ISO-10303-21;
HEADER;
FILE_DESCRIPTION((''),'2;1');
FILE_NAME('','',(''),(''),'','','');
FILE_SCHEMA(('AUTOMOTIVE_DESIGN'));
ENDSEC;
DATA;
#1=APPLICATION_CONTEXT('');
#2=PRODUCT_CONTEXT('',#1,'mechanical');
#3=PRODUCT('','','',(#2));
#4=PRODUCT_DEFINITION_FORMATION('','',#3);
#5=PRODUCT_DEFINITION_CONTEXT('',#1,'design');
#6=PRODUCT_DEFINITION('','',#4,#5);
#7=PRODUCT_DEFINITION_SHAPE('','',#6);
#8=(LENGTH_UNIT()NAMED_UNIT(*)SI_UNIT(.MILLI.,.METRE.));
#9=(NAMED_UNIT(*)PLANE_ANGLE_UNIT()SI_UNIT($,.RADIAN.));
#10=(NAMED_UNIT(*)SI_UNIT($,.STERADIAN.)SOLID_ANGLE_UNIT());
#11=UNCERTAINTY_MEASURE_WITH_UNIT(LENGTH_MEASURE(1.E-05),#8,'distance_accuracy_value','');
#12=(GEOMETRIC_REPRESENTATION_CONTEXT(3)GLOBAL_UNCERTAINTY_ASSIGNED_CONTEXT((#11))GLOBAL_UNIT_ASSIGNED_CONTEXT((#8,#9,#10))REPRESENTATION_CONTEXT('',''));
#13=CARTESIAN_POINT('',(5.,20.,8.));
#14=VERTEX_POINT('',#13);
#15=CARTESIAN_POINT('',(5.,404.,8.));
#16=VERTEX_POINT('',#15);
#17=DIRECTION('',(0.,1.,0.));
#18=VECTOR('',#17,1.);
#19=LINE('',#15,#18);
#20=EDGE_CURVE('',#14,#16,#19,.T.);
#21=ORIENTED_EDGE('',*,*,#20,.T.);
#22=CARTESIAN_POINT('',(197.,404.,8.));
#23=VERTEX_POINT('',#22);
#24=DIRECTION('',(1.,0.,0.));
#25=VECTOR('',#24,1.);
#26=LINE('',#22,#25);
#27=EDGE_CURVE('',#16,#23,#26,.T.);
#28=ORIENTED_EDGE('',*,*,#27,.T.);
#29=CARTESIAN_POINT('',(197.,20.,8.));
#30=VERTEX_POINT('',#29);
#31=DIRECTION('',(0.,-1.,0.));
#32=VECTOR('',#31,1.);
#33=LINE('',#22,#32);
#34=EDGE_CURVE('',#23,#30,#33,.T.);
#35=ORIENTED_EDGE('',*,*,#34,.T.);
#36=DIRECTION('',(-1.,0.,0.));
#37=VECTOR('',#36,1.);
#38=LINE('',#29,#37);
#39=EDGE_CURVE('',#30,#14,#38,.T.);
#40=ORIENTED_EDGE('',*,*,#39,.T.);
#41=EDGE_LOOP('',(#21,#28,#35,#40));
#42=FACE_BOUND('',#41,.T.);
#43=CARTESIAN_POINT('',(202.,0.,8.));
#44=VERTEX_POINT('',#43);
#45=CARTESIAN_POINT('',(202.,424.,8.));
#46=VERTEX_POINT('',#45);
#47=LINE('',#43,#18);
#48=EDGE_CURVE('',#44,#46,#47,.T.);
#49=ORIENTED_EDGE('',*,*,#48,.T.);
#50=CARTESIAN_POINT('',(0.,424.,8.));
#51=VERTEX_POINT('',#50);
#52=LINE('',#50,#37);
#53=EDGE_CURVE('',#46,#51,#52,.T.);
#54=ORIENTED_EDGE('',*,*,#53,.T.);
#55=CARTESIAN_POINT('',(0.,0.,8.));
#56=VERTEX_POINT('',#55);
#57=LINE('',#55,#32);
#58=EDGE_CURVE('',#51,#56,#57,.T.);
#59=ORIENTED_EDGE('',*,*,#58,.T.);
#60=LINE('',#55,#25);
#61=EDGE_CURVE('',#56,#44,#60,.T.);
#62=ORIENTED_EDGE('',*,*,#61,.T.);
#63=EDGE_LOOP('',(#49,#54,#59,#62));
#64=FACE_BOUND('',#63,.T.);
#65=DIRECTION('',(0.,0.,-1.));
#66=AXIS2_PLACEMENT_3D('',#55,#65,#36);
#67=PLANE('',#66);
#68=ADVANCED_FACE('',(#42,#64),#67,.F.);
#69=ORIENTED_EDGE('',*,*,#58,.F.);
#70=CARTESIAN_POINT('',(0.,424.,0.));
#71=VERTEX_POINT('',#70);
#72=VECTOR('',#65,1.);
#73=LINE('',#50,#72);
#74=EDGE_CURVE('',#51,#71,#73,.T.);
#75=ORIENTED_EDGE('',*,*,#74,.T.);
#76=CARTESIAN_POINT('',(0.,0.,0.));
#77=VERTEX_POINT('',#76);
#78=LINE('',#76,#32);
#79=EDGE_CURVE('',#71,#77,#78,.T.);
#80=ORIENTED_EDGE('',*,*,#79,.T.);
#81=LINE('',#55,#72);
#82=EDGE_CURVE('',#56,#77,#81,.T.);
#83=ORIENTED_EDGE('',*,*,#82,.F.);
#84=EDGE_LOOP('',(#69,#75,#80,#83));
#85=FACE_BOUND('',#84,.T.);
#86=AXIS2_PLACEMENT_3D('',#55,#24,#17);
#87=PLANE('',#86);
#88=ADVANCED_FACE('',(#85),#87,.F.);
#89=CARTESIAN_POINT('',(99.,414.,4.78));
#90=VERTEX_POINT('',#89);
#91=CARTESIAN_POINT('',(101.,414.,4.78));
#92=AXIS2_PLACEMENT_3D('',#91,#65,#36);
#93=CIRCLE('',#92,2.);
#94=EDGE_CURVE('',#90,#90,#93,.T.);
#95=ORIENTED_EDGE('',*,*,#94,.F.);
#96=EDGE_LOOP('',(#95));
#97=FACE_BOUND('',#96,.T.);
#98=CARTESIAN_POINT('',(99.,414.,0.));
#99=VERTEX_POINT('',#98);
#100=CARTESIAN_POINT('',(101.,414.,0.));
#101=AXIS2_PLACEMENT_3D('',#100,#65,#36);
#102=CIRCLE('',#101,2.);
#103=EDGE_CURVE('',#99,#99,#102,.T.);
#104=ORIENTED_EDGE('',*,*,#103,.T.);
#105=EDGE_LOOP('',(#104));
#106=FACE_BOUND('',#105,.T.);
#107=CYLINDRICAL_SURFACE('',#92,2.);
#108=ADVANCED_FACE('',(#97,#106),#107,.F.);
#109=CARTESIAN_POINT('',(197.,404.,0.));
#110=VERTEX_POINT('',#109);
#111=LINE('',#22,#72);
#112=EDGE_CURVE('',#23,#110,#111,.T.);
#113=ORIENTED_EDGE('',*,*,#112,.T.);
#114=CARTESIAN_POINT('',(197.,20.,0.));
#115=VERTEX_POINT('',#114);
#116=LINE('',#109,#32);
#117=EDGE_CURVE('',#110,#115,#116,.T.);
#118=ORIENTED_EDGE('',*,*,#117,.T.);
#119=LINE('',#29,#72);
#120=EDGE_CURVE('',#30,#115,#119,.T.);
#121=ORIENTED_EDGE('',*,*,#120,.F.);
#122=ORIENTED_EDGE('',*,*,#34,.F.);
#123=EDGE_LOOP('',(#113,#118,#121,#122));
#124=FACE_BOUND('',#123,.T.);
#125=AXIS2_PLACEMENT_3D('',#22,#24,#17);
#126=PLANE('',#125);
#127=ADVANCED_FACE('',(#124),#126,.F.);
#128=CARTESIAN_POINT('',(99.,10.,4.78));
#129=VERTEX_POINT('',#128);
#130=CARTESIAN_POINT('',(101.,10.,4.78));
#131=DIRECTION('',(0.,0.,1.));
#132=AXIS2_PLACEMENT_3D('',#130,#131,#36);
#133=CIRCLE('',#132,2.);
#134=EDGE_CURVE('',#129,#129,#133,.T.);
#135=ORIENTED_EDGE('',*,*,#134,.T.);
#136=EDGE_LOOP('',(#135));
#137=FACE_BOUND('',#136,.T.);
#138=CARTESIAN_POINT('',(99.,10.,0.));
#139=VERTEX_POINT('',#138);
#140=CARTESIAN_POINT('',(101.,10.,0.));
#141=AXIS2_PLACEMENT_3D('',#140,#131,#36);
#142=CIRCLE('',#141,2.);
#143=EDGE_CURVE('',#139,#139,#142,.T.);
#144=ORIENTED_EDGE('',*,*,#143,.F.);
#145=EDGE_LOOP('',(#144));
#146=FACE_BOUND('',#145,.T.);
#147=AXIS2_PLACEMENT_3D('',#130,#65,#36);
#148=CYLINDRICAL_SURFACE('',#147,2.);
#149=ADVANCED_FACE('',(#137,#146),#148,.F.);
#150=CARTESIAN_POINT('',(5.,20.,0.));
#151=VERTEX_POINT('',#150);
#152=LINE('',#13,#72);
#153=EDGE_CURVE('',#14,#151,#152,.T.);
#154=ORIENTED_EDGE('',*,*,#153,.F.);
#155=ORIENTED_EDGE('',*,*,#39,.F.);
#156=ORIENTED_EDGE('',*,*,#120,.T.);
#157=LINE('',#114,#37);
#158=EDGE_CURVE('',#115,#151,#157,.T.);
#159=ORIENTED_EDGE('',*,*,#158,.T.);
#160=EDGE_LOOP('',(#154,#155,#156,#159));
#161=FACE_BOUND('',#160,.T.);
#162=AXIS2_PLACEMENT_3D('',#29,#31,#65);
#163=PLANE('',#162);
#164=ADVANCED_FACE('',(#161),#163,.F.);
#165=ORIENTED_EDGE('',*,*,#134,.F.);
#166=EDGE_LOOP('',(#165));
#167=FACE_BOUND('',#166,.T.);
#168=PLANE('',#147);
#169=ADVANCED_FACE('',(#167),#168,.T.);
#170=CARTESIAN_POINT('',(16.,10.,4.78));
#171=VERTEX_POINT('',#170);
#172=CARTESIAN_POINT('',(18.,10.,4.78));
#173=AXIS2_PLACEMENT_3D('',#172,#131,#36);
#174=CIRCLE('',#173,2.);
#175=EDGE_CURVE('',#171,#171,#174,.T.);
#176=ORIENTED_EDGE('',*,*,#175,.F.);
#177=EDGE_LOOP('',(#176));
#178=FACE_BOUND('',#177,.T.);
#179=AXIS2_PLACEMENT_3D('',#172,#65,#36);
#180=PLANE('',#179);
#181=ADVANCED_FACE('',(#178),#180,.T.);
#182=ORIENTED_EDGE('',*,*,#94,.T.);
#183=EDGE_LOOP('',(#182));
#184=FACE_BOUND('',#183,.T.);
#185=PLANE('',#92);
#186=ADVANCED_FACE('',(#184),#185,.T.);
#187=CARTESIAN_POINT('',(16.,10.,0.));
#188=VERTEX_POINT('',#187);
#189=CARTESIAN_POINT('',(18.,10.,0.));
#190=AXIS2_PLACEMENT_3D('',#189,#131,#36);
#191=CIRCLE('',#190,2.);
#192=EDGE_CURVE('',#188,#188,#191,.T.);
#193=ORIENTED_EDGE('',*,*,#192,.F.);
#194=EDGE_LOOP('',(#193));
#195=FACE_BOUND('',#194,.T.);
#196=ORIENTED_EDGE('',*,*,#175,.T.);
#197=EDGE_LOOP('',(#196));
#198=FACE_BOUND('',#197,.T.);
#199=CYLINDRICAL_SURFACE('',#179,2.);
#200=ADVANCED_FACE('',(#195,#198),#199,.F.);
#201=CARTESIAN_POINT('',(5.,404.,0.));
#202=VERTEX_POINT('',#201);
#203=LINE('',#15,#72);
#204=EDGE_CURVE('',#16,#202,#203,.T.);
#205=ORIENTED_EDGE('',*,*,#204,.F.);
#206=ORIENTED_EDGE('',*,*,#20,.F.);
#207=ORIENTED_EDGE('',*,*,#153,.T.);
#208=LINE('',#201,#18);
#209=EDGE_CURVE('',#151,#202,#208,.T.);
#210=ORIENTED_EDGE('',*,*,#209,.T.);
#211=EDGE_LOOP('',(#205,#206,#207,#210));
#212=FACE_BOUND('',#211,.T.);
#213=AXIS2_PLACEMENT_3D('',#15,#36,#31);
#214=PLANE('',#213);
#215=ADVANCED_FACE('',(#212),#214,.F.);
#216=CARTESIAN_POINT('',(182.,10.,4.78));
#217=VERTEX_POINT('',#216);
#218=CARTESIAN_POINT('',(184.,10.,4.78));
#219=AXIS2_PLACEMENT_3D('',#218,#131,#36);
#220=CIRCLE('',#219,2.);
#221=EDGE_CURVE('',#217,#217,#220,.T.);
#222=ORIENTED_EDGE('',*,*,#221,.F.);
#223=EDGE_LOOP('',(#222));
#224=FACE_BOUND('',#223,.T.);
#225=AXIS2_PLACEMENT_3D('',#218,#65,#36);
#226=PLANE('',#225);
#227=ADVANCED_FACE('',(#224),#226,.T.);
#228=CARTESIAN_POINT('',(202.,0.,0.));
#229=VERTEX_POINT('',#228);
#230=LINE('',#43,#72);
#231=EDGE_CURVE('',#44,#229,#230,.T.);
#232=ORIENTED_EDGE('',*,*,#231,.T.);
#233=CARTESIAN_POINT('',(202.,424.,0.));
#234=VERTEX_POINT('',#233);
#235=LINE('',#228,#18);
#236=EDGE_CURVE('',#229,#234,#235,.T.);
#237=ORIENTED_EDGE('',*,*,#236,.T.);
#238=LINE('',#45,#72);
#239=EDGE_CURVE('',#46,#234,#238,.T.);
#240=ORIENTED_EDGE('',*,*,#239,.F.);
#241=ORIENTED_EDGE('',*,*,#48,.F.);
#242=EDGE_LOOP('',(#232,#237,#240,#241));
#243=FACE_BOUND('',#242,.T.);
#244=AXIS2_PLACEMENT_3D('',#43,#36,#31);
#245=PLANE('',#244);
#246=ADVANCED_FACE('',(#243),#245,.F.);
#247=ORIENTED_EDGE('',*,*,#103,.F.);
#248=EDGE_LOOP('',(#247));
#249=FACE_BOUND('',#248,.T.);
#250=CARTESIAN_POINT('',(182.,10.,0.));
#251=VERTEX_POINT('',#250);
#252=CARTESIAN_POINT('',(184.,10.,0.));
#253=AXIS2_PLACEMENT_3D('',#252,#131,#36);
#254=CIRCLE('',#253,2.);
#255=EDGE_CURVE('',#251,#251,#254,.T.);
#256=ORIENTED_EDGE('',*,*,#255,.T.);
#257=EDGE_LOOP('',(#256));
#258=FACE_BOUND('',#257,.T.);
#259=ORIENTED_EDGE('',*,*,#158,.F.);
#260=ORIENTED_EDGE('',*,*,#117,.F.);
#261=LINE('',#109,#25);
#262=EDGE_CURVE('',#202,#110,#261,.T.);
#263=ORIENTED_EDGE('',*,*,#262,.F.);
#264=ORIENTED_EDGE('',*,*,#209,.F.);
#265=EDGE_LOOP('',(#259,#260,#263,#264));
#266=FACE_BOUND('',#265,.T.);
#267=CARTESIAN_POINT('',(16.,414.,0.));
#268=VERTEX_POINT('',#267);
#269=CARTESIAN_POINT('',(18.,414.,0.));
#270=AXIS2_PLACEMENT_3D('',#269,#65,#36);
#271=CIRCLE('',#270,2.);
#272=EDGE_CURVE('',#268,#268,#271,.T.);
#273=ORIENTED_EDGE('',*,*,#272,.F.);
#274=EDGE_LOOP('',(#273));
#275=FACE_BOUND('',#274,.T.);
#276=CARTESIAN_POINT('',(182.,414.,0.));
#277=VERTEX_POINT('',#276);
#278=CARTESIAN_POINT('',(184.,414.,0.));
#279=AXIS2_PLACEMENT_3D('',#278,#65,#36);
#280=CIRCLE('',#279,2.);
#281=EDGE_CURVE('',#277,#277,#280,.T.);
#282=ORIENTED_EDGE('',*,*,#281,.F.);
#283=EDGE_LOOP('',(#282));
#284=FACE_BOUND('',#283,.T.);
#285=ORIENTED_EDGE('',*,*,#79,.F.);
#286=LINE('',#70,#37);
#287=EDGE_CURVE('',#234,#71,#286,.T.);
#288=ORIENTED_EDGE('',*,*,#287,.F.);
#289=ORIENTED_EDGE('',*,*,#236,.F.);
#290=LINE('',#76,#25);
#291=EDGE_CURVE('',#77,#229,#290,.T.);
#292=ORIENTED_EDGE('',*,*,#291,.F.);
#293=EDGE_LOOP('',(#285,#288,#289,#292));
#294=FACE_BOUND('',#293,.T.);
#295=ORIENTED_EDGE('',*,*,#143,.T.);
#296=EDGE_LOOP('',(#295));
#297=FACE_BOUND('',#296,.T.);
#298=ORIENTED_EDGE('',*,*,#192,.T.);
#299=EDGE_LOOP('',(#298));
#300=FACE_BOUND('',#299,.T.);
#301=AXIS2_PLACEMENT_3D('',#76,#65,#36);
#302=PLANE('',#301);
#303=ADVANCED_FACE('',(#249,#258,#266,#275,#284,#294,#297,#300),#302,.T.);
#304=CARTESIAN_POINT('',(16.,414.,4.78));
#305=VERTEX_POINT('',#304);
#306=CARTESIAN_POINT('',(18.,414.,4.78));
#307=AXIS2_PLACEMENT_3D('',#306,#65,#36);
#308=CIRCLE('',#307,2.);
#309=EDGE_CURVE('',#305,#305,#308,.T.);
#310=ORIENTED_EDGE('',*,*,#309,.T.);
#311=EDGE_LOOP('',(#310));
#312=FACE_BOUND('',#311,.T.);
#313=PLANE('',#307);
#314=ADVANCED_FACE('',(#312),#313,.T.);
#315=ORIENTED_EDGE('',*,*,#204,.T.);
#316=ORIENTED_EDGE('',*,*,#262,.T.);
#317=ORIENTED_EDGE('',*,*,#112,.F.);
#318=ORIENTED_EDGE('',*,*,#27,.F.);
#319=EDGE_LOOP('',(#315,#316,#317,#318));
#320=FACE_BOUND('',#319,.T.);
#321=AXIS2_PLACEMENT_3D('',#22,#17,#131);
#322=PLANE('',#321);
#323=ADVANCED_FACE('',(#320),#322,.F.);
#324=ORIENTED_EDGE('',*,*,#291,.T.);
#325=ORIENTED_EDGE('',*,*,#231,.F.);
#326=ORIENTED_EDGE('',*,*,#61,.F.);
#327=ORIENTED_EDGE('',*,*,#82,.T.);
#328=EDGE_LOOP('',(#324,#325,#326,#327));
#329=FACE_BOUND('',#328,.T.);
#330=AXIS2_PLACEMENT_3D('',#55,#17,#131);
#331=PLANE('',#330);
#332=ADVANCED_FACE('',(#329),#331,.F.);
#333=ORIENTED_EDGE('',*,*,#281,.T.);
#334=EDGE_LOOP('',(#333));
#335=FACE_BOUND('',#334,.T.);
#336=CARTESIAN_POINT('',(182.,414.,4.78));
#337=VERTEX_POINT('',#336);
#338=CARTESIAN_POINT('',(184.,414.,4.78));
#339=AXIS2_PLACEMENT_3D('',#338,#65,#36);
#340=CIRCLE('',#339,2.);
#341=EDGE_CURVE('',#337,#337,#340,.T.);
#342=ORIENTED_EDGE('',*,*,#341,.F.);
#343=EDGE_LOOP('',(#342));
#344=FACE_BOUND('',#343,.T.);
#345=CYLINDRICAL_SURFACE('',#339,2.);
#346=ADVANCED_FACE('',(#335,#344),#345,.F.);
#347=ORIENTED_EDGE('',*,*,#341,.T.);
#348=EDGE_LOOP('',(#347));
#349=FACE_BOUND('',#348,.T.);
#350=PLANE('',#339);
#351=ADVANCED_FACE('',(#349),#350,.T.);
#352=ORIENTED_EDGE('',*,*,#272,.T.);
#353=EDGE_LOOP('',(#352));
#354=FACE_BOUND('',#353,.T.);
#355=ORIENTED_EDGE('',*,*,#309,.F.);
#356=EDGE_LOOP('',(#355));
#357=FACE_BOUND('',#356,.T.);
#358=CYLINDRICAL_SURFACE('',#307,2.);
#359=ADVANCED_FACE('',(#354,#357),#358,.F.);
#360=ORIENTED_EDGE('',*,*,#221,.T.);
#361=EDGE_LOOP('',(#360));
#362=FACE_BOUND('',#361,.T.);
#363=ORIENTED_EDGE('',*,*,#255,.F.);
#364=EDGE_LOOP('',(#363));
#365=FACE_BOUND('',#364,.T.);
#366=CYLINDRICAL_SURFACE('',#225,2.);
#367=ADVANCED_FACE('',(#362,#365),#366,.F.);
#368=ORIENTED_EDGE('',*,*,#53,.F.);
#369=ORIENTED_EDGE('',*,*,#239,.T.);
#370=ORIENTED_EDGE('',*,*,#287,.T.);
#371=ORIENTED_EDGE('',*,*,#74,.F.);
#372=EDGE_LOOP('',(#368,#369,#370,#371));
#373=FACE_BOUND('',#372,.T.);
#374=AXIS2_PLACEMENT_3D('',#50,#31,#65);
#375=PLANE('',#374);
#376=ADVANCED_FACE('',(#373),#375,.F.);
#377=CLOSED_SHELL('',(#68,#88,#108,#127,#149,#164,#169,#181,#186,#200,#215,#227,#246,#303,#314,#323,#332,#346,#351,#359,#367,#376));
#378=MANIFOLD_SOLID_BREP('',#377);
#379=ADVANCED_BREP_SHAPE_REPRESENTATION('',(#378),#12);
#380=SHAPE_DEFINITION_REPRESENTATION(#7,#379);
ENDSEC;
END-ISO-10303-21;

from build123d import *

# Parameters (mm, degrees)
SKETCH1_W           = 202
SKETCH1_H           = 424
BOSS_EXTRUDE1_DEPTH = 8
SKETCH2_W           = 192
SKETCH2_H           = 384
CUT_EXTRUDE1_DEPTH  = 470.727580625
SKETCH4_R           = 2
CUT_EXTRUDE2_DEPTH  = 4.78


with BuildPart() as part:
    # Sketch1 → Boss-Extrude1 (new body)
    with BuildSketch(Plane.XY):
        with Locations((101, 212)):
            Rectangle(SKETCH1_W, SKETCH1_H)
    extrude(amount=BOSS_EXTRUDE1_DEPTH)

    # Sketch2 → Cut-Extrude1 (cut, through all)
    with BuildSketch(Plane(origin=(0, 0, 0), x_dir=(-1, 0, 0), z_dir=(0, 0, -1))):
        with Locations((-101, 212)):
            Rectangle(SKETCH2_W, SKETCH2_H)
    extrude(amount=-CUT_EXTRUDE1_DEPTH, mode=Mode.SUBTRACT)

    # Sketch4 → Cut-Extrude2 (cut)
    with BuildSketch(Plane(origin=(0, 0, 0), x_dir=(-1, 0, 0), z_dir=(0, 0, -1))):
        with Locations((-184, 414)):
            Circle(SKETCH4_R)
        with Locations((-18, 414)):
            Circle(SKETCH4_R)
        with Locations((-101, 414)):
            Circle(SKETCH4_R)
    cut_extrude2 = extrude(amount=-CUT_EXTRUDE2_DEPTH, mode=Mode.SUBTRACT)

    # Mirror1: Cut-Extrude2 across plane
    add(cut_extrude2.mirror(Plane.ZX.offset(212)), mode=Mode.SUBTRACT)


solid = part.part
